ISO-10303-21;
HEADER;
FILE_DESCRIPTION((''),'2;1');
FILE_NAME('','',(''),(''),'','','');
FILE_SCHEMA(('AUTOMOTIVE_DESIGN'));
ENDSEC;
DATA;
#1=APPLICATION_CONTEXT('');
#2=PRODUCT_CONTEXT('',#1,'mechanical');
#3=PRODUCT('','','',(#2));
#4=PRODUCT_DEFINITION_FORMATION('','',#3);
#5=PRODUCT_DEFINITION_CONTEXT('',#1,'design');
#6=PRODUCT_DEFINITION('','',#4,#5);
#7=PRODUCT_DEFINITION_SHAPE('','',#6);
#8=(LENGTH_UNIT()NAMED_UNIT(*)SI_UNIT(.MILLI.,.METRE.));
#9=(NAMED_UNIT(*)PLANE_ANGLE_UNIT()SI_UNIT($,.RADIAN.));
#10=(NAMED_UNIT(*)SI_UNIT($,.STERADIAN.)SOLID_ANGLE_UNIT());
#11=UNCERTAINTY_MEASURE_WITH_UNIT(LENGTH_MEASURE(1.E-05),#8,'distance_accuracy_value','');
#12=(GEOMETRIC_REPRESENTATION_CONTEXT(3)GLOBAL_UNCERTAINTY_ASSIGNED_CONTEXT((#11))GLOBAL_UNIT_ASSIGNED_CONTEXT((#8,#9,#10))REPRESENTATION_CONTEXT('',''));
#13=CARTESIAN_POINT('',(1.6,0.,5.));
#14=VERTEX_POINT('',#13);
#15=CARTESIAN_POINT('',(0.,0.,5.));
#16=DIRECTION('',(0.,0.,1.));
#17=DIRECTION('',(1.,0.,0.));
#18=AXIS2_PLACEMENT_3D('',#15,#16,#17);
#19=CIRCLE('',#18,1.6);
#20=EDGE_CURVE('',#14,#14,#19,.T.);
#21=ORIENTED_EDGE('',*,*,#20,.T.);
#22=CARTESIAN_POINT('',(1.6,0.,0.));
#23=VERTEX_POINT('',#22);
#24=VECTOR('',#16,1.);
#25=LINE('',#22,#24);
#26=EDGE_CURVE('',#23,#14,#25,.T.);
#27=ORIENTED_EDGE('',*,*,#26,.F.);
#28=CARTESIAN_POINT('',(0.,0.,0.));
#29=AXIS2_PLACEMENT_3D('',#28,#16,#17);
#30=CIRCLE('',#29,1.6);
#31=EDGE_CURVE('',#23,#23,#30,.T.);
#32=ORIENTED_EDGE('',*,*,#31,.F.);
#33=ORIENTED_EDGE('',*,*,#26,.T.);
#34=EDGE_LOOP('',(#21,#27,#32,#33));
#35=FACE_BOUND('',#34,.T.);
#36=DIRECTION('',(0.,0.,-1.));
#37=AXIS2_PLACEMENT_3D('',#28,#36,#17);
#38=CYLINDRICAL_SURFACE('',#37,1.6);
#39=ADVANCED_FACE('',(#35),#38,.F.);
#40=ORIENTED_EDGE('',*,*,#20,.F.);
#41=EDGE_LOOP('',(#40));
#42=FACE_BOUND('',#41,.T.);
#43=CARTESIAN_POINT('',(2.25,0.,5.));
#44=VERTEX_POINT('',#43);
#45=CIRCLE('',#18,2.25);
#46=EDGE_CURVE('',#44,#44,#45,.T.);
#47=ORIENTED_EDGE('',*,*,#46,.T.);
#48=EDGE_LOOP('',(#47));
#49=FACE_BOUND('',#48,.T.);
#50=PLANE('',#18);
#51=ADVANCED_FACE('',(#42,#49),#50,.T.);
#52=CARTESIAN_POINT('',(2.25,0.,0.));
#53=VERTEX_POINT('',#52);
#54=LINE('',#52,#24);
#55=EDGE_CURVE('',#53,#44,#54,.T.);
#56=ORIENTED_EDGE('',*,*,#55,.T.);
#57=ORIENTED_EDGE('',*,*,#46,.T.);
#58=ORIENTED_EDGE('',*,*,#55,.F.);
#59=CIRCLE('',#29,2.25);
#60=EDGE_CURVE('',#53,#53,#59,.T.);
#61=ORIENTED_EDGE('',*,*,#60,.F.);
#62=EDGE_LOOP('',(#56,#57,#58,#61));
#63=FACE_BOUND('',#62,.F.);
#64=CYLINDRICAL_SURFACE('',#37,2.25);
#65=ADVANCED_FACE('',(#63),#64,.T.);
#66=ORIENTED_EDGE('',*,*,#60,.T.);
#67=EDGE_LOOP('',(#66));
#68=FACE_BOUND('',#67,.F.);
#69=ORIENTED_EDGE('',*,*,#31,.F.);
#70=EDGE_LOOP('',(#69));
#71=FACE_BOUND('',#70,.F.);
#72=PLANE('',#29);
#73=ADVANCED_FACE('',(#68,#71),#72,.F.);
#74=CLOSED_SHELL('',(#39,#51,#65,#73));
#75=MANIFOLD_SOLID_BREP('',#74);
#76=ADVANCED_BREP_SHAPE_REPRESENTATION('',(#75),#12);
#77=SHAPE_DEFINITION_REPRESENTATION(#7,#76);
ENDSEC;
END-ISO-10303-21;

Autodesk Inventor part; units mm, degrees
ref_plane "YZ Plane" through (0, 0, 0) normal (1, 0, 0) x (0, 1, 0)
ref_plane "XZ Plane" through (0, 0, 0) normal (0, 1, 0) x (-1, 0, 0)
ref_plane "XY Plane" through (0, 0, 0) normal (0, 0, 1) x (1, 0, 0)
sketch "Sketch1" plane through (0, 0, 0) normal (0, 0, 1) x (1, 0, 0)
  circle A0 centre (0, 0) radius 2.25
  circle A1 centre (0, 0) radius 1.6
  dimension "d0" = 4.5
  dimension "d1" = 3.2
extrude "Extrusion1" add sketch "Sketch1" along normal blind 5
properties part number "Short_Spacer_V1" material "Nylon 6/6"
